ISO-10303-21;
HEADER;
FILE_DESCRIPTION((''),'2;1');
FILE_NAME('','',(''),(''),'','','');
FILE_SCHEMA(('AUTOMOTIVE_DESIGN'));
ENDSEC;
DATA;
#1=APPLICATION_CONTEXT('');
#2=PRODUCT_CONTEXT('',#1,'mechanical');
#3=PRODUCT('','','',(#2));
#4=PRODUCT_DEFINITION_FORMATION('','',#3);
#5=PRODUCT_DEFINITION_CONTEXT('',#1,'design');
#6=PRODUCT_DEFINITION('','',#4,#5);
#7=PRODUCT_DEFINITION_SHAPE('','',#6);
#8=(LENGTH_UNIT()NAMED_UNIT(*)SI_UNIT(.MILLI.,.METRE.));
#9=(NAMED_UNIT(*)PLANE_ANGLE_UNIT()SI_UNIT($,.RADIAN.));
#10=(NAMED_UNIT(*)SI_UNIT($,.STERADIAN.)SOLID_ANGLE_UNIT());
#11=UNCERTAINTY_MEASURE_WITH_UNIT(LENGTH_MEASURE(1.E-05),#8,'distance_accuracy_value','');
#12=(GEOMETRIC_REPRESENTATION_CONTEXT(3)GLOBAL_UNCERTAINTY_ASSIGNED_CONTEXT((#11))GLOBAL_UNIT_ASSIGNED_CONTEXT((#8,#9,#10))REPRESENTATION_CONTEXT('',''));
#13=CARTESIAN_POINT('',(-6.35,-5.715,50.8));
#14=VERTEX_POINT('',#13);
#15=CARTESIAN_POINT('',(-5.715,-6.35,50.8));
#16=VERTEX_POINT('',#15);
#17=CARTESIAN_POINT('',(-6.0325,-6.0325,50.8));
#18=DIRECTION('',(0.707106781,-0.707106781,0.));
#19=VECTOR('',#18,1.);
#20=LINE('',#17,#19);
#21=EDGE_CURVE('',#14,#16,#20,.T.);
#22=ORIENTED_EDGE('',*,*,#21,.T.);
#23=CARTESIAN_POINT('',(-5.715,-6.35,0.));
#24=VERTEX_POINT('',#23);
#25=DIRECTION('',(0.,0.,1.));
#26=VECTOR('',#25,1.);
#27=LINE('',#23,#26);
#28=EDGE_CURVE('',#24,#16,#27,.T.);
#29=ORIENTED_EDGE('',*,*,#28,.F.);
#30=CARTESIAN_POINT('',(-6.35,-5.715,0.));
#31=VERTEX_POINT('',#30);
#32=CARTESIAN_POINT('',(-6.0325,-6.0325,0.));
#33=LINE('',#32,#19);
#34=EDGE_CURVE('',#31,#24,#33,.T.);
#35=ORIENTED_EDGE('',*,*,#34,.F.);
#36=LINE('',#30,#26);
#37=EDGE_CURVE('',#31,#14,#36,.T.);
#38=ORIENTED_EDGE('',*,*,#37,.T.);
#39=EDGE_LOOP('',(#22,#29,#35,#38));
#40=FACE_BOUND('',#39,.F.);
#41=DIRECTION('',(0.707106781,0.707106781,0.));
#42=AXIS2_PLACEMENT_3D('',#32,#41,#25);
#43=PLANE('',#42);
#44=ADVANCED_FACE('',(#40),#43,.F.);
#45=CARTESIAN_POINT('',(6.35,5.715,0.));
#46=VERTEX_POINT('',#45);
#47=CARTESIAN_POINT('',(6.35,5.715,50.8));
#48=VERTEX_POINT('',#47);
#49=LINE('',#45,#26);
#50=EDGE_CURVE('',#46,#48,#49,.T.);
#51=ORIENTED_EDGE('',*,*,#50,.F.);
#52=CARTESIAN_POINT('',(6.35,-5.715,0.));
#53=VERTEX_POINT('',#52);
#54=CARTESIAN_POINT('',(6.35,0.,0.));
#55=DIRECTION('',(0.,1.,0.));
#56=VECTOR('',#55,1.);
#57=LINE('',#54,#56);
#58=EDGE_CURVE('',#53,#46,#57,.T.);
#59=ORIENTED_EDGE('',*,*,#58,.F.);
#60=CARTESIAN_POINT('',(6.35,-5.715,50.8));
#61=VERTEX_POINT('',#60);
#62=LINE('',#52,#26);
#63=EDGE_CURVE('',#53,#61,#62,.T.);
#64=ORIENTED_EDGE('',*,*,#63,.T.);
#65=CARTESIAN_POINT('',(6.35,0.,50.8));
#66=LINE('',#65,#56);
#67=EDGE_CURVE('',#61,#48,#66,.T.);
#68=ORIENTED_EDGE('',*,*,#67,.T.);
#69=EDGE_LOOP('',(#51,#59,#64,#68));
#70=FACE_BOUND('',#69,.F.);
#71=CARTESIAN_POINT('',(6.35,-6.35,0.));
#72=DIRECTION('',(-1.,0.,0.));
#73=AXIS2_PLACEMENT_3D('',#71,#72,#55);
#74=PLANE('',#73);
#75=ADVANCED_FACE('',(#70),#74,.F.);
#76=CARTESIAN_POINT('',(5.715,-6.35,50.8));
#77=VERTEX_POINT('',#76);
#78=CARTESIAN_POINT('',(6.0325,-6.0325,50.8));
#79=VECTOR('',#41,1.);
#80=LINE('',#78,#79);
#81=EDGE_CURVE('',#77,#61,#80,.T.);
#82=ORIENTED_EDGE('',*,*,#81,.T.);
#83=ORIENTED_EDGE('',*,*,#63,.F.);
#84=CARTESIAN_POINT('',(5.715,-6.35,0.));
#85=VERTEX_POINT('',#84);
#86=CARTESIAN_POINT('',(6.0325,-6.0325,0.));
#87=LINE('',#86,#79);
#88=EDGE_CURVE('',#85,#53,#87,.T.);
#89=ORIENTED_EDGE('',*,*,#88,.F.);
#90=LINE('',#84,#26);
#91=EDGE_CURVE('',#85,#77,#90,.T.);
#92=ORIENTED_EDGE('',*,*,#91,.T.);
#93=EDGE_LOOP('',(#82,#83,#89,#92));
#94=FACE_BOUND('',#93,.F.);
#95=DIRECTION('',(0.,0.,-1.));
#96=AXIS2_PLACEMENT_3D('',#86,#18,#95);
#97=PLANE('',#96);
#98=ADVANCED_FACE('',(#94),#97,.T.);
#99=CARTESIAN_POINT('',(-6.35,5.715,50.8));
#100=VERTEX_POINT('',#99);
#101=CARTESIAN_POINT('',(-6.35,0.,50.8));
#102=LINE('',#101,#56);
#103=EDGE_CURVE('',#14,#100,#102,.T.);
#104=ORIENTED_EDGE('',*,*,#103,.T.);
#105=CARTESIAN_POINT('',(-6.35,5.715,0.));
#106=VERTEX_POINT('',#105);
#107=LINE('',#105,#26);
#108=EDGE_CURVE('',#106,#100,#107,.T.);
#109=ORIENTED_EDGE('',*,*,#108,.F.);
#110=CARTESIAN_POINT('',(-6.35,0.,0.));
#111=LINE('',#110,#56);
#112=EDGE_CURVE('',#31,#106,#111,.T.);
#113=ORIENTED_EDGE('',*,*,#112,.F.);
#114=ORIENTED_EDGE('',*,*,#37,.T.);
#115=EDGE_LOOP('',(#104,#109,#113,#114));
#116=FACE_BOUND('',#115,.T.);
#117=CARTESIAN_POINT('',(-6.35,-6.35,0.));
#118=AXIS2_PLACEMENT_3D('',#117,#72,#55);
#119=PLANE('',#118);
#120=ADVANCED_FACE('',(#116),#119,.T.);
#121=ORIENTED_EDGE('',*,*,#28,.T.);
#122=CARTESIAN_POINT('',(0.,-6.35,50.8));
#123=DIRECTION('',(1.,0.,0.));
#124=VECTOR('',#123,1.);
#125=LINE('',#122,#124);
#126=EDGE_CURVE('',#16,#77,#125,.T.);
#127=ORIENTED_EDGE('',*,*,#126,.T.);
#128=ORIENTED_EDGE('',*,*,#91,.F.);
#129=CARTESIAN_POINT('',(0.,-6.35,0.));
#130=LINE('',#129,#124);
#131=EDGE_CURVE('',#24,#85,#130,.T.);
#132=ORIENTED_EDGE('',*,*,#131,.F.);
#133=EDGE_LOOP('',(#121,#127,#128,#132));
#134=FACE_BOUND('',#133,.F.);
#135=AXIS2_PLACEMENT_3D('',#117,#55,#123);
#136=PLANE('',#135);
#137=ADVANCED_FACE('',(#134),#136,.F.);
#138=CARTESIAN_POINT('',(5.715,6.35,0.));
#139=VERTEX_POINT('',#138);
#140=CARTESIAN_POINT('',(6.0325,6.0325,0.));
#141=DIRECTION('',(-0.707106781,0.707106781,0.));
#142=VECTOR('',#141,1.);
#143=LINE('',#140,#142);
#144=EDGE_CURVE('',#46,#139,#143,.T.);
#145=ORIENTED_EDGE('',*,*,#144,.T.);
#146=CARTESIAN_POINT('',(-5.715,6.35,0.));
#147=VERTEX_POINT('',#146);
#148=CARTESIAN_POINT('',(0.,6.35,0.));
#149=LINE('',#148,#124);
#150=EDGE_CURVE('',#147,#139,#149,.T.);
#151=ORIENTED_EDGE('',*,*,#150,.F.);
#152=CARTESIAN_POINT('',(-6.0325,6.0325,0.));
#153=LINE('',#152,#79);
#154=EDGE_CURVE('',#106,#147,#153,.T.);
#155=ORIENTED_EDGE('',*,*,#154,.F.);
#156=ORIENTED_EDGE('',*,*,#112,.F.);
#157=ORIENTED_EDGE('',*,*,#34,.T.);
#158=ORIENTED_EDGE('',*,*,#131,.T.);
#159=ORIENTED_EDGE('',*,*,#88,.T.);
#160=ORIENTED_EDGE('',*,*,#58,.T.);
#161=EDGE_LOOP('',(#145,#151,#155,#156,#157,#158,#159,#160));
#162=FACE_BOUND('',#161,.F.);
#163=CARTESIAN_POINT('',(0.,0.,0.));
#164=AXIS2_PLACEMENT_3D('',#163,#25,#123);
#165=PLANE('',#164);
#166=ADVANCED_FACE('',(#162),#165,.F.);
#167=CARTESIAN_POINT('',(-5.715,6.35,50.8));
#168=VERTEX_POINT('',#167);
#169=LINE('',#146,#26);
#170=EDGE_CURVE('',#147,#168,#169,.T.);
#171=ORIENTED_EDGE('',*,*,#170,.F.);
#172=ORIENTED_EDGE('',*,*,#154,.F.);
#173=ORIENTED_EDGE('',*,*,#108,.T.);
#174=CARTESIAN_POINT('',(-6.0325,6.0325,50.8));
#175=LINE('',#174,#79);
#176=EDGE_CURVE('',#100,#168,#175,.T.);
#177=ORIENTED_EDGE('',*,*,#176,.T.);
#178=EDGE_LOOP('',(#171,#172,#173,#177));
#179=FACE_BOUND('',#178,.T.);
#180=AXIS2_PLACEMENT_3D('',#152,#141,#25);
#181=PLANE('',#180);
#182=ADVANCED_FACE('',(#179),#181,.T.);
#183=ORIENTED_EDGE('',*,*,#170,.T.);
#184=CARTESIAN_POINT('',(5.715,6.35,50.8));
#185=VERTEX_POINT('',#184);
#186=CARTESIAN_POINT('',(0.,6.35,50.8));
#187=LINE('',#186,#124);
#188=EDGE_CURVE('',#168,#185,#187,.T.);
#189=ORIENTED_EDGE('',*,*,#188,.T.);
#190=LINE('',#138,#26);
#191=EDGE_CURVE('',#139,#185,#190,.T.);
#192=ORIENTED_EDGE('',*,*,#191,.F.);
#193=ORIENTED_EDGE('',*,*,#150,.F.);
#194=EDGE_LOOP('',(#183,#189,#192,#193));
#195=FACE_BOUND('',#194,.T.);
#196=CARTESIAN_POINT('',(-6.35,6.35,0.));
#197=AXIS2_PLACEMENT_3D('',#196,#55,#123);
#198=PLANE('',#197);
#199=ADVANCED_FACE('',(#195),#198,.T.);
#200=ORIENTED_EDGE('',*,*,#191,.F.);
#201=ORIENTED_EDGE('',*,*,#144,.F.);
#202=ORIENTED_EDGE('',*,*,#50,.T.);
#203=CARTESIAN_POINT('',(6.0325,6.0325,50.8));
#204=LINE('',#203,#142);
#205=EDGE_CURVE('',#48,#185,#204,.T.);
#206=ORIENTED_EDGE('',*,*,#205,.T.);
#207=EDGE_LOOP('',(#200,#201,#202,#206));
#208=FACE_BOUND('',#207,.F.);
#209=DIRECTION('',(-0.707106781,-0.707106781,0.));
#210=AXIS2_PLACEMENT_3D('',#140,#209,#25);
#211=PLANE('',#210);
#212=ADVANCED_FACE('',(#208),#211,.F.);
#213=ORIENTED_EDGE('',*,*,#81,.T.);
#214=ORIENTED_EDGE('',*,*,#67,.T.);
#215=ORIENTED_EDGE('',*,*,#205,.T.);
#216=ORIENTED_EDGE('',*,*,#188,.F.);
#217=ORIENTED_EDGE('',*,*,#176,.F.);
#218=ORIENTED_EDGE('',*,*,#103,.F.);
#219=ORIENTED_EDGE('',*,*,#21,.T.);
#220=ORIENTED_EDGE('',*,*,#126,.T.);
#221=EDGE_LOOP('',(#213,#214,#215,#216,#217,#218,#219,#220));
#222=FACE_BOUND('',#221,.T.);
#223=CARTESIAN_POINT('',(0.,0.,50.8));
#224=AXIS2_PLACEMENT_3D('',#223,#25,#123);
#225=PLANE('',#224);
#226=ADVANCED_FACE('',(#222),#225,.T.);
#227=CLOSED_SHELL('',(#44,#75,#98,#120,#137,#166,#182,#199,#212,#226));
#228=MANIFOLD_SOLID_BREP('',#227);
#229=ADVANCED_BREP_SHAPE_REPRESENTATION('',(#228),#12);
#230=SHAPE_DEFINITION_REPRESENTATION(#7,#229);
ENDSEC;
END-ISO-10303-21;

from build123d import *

# Parameters (mm, degrees)
F0_W     = 12.7
F0_H     = 12.7
F1_DEPTH = 50.8
F2_SIZE  = 0.635


with BuildPart() as f1:
    # F0 (on Top) → F1 (new body)
    with BuildSketch(Plane.XY):
        Rectangle(F0_W, F0_H)
    extrude(amount=F1_DEPTH)

    # F2
    f2_edges = [f1.edges().sort_by_distance(p)[0] for p in [
        (-6.35, 6.35, 25.4),
        (-6.35, -6.35, 25.4),
        (6.35, 6.35, 25.4),
        (6.35, -6.35, 25.4),
    ]]
    chamfer(f2_edges, length=F2_SIZE)


solid = f1.part
